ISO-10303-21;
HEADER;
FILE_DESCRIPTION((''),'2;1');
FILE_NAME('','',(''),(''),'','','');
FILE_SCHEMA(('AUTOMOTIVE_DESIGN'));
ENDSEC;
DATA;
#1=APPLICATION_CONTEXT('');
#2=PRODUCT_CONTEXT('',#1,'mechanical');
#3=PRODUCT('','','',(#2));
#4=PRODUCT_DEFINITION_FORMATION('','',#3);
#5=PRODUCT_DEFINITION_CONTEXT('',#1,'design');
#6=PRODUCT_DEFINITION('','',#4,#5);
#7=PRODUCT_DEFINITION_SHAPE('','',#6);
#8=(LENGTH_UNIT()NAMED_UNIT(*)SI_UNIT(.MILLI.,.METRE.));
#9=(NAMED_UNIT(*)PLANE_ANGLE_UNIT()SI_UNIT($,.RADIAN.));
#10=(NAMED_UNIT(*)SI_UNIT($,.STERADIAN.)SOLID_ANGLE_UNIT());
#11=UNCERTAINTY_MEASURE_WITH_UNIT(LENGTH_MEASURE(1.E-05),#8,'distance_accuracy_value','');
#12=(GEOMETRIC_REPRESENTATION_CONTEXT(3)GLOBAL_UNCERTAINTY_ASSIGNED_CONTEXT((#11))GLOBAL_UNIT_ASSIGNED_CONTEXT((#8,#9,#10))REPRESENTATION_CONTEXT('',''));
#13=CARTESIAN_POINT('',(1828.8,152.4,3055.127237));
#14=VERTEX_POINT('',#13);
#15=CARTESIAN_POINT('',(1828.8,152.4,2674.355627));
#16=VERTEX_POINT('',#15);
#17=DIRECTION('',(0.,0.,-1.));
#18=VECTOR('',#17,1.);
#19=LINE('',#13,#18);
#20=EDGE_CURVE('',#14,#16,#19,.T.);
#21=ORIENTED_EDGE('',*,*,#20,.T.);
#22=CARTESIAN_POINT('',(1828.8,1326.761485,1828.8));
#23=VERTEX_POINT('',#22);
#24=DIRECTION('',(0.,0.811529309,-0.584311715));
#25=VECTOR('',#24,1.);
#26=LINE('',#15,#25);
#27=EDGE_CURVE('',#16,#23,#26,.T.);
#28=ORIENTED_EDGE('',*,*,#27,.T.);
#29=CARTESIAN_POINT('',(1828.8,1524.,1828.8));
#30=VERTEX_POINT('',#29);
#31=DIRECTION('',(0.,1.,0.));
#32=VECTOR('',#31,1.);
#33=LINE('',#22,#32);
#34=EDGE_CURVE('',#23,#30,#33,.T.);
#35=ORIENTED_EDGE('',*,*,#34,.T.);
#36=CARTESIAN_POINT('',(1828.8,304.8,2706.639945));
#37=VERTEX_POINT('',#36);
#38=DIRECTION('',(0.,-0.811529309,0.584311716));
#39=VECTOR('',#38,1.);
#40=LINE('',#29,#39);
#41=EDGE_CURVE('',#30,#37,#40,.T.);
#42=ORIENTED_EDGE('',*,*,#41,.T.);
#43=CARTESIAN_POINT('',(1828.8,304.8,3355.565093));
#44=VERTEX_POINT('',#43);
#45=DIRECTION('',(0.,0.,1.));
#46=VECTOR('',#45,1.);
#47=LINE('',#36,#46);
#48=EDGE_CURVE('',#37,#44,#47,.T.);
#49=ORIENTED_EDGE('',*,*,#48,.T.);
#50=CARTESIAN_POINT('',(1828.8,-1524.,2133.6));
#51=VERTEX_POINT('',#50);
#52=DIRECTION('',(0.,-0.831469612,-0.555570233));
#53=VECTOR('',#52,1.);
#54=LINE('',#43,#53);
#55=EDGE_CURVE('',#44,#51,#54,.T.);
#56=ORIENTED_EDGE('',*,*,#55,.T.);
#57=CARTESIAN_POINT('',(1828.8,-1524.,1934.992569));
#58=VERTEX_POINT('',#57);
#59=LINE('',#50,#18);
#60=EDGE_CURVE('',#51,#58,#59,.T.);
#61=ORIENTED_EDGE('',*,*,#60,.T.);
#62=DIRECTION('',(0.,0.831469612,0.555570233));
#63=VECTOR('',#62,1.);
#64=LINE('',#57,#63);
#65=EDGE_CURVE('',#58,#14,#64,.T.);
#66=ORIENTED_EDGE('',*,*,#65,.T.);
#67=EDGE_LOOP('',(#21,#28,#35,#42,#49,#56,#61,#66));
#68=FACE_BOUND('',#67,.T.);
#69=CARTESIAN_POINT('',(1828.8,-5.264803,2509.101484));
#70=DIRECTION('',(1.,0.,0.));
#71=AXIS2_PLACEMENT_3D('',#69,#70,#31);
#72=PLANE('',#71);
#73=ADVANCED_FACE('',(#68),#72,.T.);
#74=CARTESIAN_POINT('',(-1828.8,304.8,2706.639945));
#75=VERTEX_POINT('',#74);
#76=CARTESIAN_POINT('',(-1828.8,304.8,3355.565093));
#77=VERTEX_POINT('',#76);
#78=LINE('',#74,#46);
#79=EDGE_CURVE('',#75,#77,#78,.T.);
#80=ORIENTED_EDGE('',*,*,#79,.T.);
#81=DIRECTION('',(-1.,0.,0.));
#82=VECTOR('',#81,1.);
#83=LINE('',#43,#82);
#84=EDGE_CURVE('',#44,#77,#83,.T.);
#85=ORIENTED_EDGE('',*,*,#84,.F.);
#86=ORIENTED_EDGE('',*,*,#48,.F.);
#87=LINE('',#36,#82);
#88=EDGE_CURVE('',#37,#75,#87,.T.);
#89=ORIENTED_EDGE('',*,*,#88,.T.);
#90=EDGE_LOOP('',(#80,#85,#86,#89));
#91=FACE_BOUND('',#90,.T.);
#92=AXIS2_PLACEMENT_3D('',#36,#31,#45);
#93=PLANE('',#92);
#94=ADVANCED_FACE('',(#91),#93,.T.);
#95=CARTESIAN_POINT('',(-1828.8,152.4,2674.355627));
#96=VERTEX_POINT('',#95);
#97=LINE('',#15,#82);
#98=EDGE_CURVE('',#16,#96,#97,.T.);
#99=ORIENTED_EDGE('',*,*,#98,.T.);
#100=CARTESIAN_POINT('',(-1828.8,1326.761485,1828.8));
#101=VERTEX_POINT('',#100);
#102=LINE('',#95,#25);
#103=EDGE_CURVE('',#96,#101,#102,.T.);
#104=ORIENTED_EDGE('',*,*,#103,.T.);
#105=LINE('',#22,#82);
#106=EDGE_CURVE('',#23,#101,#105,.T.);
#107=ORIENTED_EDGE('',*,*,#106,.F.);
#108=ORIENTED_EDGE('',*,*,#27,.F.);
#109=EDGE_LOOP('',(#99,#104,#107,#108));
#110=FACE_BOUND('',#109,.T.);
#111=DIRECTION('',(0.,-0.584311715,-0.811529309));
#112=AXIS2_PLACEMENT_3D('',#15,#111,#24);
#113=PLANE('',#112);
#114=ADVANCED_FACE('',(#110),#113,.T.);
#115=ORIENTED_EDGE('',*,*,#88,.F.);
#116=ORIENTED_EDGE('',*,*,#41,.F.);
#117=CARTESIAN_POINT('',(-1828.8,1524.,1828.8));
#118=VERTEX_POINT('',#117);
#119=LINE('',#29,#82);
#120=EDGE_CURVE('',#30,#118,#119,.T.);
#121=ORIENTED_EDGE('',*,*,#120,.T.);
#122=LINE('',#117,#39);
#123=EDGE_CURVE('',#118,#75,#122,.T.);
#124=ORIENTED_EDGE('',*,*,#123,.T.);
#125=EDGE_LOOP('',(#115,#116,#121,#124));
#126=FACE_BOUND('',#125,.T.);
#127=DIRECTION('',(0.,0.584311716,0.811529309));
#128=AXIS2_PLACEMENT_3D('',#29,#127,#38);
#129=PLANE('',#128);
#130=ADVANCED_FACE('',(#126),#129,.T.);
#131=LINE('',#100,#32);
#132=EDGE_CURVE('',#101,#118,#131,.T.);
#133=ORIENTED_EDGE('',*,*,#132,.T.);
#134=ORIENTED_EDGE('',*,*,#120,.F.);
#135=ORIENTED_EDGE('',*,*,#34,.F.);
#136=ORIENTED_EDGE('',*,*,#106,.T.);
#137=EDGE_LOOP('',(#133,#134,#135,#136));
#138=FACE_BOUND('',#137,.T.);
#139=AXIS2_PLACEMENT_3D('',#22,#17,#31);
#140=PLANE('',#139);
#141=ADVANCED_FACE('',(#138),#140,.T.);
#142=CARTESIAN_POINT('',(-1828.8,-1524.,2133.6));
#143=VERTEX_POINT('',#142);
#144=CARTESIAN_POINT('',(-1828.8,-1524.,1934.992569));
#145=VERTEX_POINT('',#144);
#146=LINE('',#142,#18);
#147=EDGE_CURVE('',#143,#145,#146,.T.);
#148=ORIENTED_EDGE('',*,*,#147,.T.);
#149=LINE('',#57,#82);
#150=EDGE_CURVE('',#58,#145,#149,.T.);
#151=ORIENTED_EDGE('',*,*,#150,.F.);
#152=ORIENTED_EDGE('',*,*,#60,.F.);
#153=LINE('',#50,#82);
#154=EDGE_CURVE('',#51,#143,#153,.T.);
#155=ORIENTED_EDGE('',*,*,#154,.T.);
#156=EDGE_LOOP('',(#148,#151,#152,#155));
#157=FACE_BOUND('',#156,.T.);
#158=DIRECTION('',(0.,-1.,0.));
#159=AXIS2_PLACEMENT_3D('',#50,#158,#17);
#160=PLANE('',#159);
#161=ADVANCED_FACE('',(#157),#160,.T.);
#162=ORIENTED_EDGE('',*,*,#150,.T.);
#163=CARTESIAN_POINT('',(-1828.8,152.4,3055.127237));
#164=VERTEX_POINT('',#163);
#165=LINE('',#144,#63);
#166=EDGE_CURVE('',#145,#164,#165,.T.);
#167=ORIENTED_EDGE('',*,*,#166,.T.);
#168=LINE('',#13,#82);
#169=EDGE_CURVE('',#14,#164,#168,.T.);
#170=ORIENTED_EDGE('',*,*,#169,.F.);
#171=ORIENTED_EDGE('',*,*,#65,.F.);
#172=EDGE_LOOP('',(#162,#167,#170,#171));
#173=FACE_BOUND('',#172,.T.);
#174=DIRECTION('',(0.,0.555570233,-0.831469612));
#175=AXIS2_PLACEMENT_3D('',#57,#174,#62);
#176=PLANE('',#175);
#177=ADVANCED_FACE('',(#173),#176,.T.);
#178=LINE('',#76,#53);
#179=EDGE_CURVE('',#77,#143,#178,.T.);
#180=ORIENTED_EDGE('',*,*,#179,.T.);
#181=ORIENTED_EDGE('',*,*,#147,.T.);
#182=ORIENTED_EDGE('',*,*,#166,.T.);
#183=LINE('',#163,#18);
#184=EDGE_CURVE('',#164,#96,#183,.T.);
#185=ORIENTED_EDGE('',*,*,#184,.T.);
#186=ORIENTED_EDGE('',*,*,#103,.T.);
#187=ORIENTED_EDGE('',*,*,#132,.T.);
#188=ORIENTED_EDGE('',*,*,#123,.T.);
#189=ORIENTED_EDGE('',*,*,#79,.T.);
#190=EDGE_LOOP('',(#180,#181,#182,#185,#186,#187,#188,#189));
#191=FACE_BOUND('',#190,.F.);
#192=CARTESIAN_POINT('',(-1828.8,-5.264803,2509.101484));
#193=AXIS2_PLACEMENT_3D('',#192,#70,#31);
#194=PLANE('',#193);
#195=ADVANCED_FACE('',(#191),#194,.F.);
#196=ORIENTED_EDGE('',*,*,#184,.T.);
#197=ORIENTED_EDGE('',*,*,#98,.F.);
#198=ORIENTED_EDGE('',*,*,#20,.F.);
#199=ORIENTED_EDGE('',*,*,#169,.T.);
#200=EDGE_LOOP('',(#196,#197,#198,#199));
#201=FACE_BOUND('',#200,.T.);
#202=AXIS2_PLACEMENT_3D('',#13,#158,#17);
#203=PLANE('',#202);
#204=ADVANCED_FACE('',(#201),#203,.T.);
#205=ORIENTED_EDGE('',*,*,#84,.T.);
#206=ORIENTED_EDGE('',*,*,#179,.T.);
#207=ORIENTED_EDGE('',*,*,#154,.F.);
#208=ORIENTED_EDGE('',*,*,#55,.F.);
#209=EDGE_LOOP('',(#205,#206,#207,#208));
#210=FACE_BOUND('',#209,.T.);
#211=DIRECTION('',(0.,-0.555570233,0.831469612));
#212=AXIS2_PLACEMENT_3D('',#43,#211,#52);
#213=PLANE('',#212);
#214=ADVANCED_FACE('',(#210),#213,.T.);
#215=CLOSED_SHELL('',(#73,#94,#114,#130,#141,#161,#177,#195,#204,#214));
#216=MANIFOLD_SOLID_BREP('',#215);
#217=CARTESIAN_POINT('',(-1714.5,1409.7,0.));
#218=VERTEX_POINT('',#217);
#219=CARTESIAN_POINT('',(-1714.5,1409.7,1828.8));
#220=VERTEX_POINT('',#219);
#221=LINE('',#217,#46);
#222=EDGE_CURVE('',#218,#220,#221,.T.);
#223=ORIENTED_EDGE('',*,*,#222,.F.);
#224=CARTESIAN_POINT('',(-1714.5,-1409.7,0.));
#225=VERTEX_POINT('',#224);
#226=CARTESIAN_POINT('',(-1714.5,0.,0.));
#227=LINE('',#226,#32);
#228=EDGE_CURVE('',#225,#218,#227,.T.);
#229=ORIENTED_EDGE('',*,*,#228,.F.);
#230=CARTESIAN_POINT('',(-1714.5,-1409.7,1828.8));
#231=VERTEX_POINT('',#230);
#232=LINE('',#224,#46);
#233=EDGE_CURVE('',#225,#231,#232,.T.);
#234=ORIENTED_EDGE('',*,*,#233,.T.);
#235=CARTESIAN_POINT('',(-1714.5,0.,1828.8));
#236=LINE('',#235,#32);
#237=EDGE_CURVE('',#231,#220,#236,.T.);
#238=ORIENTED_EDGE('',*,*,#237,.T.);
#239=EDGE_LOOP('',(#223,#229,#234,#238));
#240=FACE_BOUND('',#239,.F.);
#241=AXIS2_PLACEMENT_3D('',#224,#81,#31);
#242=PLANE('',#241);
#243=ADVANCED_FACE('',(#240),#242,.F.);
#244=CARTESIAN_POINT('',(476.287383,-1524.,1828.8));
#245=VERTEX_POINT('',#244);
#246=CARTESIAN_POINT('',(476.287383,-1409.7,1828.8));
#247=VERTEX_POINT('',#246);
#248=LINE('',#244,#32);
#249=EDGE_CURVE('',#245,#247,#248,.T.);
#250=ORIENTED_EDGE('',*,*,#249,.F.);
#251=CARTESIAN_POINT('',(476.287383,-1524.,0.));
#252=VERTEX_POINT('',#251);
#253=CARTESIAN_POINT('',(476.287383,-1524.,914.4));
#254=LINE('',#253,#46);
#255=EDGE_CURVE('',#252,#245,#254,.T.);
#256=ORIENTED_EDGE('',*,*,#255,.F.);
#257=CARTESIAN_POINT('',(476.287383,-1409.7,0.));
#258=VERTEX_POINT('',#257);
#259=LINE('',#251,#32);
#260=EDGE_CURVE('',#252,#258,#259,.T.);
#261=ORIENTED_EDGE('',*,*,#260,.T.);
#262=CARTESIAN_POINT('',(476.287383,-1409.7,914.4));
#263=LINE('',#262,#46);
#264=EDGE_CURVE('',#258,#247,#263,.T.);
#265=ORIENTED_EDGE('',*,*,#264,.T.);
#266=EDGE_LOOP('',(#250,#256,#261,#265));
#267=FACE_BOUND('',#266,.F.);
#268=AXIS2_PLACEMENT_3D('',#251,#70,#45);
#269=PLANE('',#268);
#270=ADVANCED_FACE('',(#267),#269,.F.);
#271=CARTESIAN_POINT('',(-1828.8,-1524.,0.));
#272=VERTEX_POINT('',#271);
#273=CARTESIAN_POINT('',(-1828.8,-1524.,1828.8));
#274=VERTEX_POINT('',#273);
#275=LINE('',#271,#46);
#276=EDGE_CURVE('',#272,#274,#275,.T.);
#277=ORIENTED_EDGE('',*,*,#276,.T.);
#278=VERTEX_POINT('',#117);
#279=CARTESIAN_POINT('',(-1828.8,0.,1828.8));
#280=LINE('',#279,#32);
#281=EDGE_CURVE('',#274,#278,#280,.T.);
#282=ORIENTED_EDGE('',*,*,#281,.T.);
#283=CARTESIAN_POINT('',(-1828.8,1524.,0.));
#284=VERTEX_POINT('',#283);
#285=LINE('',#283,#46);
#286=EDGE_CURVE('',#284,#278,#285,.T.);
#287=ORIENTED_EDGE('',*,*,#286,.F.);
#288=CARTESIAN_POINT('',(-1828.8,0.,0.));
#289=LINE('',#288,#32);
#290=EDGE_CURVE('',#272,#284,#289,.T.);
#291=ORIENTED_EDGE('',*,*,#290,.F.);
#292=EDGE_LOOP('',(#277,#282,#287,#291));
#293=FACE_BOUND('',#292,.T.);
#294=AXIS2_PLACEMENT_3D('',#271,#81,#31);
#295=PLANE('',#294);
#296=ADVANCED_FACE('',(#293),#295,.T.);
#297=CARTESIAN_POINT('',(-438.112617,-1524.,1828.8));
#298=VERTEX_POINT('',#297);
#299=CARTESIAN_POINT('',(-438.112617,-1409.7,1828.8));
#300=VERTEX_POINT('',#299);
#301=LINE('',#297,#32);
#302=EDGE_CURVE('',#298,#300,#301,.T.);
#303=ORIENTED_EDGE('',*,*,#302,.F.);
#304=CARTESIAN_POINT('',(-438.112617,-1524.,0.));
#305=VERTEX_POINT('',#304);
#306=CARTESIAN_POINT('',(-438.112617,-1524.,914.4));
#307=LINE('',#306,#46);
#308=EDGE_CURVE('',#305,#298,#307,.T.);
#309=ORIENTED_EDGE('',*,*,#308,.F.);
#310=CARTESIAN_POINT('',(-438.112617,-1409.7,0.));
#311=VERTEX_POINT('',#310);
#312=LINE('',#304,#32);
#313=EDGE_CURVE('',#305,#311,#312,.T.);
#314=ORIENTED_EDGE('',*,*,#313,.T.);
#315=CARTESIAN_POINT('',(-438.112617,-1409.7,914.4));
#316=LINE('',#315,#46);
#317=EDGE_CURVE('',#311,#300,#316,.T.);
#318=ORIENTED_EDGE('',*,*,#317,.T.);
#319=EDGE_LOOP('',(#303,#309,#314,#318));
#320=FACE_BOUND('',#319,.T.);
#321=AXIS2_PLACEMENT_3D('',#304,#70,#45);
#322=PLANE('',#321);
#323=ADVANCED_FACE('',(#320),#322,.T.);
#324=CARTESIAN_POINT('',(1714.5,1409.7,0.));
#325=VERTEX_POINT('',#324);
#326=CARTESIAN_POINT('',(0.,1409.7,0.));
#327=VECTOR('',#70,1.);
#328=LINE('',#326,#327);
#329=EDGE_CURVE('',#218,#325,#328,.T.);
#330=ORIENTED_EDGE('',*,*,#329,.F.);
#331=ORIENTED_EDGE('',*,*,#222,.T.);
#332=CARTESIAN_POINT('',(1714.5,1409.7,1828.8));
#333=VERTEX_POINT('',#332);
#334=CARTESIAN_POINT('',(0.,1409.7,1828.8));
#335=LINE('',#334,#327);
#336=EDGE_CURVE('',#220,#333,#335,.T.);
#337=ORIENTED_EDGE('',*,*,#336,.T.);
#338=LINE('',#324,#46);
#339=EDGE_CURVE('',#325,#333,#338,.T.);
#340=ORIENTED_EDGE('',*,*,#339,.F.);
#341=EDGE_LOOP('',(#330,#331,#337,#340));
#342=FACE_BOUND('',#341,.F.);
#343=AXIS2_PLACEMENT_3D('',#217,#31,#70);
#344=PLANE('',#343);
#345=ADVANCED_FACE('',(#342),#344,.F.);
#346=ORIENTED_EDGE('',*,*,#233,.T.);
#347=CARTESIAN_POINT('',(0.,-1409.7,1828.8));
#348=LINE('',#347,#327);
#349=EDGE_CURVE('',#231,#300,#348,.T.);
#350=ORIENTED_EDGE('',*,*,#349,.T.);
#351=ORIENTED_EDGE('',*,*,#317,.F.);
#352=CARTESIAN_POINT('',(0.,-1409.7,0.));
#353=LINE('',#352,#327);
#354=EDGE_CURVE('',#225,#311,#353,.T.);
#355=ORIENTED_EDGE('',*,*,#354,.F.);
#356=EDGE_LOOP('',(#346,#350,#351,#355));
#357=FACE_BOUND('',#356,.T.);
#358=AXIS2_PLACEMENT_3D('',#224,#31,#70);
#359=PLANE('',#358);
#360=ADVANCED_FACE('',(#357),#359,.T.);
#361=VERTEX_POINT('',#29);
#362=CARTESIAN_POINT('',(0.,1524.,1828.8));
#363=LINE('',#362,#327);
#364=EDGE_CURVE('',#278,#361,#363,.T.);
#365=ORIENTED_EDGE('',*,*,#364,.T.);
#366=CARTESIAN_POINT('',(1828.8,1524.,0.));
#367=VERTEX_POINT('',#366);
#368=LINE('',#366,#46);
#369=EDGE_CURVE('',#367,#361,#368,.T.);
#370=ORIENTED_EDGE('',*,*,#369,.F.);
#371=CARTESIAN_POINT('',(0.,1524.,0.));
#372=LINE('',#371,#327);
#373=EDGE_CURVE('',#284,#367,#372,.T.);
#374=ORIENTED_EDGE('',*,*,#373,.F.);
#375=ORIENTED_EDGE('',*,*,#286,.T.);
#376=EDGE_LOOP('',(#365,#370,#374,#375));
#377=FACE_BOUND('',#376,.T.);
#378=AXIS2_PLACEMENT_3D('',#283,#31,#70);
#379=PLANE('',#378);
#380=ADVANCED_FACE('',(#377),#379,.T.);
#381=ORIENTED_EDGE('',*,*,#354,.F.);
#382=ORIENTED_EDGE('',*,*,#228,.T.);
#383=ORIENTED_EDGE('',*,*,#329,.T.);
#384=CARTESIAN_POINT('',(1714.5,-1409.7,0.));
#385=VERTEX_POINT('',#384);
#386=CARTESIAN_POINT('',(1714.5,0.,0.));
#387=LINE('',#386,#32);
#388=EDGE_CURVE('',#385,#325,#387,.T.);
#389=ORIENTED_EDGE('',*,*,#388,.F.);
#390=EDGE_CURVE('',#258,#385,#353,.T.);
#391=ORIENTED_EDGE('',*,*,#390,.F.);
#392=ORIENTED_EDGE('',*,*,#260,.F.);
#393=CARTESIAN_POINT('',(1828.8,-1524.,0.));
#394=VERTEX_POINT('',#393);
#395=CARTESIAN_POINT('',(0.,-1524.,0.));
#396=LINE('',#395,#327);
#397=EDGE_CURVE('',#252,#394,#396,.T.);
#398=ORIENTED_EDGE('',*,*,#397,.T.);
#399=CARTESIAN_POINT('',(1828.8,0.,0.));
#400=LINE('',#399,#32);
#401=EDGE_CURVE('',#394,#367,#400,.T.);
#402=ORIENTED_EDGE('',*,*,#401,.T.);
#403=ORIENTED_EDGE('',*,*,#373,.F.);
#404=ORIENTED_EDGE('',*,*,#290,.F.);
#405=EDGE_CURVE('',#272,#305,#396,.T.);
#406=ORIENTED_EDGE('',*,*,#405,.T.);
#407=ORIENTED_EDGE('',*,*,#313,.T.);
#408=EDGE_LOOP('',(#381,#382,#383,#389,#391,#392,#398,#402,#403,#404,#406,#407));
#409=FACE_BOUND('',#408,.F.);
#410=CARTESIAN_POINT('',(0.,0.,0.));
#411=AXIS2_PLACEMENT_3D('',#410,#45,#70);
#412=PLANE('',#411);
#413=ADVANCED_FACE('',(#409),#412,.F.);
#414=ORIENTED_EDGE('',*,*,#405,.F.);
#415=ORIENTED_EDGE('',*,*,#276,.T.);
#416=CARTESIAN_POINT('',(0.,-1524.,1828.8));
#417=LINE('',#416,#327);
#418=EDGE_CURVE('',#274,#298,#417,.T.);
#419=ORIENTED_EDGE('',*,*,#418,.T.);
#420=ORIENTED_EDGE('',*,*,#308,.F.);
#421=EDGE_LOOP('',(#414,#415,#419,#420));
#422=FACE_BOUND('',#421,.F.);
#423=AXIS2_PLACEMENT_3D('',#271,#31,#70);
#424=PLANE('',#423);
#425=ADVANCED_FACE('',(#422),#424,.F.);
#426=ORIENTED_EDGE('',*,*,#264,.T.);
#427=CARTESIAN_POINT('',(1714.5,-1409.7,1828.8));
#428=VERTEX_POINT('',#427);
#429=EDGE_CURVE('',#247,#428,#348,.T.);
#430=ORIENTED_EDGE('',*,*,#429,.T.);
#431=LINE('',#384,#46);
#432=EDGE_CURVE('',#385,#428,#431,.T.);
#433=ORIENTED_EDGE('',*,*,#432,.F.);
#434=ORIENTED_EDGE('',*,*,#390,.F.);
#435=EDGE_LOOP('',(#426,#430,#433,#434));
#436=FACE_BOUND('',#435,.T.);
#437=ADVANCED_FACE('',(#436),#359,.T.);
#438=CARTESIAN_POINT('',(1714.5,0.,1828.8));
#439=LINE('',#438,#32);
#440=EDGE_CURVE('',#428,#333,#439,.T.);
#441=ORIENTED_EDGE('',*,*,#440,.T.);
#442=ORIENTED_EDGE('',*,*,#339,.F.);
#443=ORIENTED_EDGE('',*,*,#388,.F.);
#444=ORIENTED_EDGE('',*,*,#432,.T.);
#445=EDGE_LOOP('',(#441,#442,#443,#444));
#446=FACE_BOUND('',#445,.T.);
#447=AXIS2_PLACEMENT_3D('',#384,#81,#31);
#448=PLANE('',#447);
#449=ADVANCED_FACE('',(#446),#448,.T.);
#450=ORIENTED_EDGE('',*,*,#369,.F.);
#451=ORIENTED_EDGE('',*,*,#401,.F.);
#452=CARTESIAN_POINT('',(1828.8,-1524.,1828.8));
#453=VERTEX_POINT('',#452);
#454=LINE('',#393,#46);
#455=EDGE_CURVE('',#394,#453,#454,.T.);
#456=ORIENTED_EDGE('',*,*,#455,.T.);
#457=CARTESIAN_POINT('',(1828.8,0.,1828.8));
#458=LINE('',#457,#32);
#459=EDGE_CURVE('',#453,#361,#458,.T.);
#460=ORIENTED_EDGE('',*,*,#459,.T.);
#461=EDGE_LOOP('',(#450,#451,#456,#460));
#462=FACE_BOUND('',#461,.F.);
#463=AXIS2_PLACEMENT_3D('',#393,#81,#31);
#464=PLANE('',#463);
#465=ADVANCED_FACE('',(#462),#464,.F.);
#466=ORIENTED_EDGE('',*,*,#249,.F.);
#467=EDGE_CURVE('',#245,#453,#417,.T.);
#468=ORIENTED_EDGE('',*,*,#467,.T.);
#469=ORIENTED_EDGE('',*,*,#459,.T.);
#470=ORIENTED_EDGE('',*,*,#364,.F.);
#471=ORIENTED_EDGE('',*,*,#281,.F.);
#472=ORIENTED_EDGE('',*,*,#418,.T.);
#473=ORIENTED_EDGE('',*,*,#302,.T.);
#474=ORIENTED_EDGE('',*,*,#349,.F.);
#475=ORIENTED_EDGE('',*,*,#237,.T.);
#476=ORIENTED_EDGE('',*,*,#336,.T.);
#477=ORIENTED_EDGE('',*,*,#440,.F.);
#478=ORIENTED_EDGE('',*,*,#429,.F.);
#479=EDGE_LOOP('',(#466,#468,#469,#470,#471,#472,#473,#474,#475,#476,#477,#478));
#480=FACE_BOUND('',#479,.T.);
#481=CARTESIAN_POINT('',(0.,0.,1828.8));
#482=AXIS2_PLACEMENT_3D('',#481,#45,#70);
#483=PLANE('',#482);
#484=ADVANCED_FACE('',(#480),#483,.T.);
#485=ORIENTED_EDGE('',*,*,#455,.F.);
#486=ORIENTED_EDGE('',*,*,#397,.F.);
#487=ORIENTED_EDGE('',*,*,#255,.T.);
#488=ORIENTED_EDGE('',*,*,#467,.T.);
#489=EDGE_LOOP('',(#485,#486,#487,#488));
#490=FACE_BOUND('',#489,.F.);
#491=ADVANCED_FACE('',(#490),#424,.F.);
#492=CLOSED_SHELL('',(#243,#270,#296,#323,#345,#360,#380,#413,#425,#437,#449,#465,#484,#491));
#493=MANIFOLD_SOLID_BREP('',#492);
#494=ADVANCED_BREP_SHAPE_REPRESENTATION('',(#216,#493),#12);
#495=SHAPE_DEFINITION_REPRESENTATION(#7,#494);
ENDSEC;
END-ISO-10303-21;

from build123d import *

# Parameters (mm, degrees)
F0_W     = 3657.6
F0_H     = 3048
F0_W_2   = 3429
F0_H_2   = 2819.4
F1_DEPTH = 1828.8
F3_DEPTH = 3657.6
F4_W     = 914.4
F4_H     = 1828.8
F5_DEPTH = 114.3


with BuildPart() as f1:
    # F0 (on Top) → F1 (new body)
    with BuildSketch(Plane.XY):
        Rectangle(F0_W, F0_H)
        Rectangle(F0_W_2, F0_H_2, mode=Mode.SUBTRACT)
    extrude(amount=F1_DEPTH)

    # F4 (on face) → F5 (cut, through all)
    with BuildSketch(Plane.XZ.offset(1524)):
        with Locations((19.087383, 914.4)):
            Rectangle(F4_W, F4_H)
    extrude(amount=-F5_DEPTH, mode=Mode.SUBTRACT)


with BuildPart() as f3:
    # F2 (on face) → F3 (new body)
    with BuildSketch(Plane.YZ.offset(1828.8)):
        Polygon((1524, 1828.8), (304.8, 2706.639945), (304.8, 3355.565093), (-1524, 2133.6), (-1524, 1934.992569), (152.4, 3055.127237), (152.4, 2674.355627), (1326.761485, 1828.8), align=None)
    extrude(amount=-F3_DEPTH)


solid = Compound([f1.part, f3.part])
